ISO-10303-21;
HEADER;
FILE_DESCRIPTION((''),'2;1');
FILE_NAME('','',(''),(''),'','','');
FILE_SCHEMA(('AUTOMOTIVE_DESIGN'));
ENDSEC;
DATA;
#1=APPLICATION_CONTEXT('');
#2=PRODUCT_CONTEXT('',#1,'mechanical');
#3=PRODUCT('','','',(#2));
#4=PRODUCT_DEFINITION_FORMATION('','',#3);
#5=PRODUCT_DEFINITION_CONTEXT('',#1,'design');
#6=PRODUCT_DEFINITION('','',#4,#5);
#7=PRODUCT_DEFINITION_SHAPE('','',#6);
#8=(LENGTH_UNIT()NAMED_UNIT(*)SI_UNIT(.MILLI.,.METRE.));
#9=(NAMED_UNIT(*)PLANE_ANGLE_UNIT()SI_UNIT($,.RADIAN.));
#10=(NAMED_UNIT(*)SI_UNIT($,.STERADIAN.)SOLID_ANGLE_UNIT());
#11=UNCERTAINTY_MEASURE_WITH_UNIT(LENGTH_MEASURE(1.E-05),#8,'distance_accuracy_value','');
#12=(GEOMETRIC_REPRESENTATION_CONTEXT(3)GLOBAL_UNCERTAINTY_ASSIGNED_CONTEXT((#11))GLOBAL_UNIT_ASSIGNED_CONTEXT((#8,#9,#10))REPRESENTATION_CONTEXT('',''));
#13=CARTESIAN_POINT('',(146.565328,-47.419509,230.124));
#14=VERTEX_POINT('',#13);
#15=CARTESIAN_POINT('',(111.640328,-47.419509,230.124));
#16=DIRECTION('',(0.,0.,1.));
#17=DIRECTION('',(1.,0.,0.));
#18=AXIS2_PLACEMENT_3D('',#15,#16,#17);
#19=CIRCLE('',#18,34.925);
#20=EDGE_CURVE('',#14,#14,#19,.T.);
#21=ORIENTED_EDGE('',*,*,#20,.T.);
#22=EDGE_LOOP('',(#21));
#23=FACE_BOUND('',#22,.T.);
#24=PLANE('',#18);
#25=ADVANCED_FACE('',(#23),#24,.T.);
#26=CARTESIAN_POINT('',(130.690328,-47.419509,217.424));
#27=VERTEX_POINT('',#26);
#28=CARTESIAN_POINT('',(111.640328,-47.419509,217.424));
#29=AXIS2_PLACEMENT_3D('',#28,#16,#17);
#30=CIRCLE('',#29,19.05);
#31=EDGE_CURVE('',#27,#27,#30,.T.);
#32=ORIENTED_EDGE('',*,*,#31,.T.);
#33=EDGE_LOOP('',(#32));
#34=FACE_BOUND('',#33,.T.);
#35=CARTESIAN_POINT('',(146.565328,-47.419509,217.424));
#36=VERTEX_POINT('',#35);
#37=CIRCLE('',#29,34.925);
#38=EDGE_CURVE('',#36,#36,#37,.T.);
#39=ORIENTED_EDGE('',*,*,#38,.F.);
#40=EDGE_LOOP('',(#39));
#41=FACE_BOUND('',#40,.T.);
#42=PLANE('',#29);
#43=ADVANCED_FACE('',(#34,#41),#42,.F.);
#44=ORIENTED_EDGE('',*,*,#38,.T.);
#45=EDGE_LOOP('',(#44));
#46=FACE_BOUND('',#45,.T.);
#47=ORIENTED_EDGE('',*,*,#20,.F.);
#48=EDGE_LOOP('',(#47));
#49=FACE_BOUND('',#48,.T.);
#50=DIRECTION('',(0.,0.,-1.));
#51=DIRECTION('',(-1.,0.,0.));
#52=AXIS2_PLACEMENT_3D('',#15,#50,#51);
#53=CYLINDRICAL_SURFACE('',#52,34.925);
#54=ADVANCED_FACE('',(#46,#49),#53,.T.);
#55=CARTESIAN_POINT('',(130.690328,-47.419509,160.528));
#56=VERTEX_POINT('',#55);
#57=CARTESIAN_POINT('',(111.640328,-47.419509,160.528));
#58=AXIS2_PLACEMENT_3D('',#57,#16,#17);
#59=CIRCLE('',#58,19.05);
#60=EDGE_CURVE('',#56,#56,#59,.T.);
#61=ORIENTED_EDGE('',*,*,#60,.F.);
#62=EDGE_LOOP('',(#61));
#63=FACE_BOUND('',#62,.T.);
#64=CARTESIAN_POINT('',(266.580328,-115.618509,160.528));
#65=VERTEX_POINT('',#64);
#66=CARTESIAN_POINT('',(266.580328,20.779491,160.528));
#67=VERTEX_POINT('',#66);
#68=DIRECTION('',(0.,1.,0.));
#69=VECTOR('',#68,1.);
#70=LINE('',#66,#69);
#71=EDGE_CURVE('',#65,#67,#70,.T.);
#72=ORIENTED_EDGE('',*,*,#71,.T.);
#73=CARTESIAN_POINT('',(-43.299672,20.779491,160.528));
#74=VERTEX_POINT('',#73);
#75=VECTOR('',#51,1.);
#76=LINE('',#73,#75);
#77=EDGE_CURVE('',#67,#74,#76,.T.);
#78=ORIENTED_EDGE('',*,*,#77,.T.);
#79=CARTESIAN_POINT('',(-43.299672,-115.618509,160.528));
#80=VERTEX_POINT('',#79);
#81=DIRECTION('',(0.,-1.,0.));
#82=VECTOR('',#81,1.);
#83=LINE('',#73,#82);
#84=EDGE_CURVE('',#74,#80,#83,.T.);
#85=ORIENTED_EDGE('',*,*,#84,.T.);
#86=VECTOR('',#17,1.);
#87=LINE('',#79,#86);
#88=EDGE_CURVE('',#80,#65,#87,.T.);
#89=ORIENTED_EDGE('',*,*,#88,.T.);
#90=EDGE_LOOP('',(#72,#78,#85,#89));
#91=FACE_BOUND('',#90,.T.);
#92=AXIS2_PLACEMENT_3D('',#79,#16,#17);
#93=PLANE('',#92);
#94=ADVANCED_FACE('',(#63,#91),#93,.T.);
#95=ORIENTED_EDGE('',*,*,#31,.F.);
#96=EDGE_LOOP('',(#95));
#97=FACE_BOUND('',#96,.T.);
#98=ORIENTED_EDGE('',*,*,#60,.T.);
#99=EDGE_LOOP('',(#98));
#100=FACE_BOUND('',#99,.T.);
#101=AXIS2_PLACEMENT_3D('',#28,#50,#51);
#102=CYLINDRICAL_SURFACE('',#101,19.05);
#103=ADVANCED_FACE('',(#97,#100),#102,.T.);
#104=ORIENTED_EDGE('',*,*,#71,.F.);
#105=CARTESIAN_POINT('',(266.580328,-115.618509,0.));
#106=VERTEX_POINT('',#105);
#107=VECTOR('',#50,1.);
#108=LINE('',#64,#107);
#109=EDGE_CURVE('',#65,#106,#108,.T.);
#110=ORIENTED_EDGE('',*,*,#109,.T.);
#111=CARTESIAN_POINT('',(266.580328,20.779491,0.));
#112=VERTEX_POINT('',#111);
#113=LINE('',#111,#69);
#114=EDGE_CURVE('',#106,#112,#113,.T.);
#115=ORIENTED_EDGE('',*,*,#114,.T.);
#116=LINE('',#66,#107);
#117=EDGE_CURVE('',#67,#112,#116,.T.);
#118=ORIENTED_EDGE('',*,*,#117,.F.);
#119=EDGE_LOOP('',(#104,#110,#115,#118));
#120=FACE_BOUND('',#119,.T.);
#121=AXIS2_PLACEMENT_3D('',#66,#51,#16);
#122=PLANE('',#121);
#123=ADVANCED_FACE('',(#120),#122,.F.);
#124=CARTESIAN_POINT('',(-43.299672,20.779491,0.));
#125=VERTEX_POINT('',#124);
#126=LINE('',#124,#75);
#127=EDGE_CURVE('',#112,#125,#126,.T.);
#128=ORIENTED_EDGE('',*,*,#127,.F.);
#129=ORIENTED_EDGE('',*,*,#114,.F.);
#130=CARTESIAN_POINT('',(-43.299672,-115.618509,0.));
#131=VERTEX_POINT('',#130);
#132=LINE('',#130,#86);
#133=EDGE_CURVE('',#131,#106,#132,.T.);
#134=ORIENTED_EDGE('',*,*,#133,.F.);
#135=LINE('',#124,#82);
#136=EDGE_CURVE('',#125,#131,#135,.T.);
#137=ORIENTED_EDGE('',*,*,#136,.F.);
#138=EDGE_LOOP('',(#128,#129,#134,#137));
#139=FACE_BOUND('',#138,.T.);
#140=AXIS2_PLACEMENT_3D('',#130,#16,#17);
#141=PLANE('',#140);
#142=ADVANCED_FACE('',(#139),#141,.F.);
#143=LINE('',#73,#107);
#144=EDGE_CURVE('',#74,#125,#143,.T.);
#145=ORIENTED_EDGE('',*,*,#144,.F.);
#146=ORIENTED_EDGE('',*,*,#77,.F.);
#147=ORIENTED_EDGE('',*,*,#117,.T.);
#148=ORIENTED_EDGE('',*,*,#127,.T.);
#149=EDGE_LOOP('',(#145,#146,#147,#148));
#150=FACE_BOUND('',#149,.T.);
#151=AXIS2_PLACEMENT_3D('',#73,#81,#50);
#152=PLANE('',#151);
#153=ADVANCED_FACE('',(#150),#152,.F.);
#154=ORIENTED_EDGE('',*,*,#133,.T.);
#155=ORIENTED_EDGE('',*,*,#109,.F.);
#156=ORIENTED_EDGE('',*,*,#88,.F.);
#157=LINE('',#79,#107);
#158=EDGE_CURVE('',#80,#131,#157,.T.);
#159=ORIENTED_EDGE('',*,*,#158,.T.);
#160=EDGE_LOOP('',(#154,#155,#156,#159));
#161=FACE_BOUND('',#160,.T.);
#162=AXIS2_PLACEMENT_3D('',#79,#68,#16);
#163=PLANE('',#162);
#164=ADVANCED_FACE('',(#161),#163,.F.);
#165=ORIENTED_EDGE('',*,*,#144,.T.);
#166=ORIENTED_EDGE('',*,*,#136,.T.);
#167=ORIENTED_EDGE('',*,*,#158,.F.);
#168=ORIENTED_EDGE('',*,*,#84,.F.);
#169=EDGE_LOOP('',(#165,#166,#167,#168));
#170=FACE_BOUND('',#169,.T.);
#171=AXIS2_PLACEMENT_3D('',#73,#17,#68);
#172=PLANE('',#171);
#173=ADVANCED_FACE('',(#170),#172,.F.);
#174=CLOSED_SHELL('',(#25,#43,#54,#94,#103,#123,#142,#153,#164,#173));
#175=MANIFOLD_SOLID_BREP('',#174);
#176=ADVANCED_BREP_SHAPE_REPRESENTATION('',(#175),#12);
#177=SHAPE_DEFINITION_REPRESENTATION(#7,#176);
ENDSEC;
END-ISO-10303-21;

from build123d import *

# Parameters (mm, degrees)
SKETCH1_W           = 309.88
SKETCH1_H           = 136.398
BOSS_EXTRUDE1_DEPTH = 160.528
SKETCH2_R           = 19.05
BOSS_EXTRUDE2_DEPTH = 56.896
SKETCH3_R           = 34.925
BOSS_EXTRUDE3_DEPTH = 12.7


with BuildPart() as part:
    # Sketch1 → Boss-Extrude1 (new body)
    with BuildSketch(Plane.XY):
        with Locations((111.640327538, -47.419508944)):
            Rectangle(SKETCH1_W, SKETCH1_H)
    extrude(amount=BOSS_EXTRUDE1_DEPTH)

    # Sketch2 → Boss-Extrude2 (add)
    with BuildSketch(Plane.XY.offset(160.528)):
        with Locations((111.640327538, -47.419508944)):
            Circle(SKETCH2_R)
    extrude(amount=BOSS_EXTRUDE2_DEPTH)

    # Sketch3 → Boss-Extrude3 (add)
    with BuildSketch(Plane.XY.offset(217.424)):
        with Locations((111.640327538, -47.419508944)):
            Circle(SKETCH3_R)
    extrude(amount=BOSS_EXTRUDE3_DEPTH)


solid = part.part
